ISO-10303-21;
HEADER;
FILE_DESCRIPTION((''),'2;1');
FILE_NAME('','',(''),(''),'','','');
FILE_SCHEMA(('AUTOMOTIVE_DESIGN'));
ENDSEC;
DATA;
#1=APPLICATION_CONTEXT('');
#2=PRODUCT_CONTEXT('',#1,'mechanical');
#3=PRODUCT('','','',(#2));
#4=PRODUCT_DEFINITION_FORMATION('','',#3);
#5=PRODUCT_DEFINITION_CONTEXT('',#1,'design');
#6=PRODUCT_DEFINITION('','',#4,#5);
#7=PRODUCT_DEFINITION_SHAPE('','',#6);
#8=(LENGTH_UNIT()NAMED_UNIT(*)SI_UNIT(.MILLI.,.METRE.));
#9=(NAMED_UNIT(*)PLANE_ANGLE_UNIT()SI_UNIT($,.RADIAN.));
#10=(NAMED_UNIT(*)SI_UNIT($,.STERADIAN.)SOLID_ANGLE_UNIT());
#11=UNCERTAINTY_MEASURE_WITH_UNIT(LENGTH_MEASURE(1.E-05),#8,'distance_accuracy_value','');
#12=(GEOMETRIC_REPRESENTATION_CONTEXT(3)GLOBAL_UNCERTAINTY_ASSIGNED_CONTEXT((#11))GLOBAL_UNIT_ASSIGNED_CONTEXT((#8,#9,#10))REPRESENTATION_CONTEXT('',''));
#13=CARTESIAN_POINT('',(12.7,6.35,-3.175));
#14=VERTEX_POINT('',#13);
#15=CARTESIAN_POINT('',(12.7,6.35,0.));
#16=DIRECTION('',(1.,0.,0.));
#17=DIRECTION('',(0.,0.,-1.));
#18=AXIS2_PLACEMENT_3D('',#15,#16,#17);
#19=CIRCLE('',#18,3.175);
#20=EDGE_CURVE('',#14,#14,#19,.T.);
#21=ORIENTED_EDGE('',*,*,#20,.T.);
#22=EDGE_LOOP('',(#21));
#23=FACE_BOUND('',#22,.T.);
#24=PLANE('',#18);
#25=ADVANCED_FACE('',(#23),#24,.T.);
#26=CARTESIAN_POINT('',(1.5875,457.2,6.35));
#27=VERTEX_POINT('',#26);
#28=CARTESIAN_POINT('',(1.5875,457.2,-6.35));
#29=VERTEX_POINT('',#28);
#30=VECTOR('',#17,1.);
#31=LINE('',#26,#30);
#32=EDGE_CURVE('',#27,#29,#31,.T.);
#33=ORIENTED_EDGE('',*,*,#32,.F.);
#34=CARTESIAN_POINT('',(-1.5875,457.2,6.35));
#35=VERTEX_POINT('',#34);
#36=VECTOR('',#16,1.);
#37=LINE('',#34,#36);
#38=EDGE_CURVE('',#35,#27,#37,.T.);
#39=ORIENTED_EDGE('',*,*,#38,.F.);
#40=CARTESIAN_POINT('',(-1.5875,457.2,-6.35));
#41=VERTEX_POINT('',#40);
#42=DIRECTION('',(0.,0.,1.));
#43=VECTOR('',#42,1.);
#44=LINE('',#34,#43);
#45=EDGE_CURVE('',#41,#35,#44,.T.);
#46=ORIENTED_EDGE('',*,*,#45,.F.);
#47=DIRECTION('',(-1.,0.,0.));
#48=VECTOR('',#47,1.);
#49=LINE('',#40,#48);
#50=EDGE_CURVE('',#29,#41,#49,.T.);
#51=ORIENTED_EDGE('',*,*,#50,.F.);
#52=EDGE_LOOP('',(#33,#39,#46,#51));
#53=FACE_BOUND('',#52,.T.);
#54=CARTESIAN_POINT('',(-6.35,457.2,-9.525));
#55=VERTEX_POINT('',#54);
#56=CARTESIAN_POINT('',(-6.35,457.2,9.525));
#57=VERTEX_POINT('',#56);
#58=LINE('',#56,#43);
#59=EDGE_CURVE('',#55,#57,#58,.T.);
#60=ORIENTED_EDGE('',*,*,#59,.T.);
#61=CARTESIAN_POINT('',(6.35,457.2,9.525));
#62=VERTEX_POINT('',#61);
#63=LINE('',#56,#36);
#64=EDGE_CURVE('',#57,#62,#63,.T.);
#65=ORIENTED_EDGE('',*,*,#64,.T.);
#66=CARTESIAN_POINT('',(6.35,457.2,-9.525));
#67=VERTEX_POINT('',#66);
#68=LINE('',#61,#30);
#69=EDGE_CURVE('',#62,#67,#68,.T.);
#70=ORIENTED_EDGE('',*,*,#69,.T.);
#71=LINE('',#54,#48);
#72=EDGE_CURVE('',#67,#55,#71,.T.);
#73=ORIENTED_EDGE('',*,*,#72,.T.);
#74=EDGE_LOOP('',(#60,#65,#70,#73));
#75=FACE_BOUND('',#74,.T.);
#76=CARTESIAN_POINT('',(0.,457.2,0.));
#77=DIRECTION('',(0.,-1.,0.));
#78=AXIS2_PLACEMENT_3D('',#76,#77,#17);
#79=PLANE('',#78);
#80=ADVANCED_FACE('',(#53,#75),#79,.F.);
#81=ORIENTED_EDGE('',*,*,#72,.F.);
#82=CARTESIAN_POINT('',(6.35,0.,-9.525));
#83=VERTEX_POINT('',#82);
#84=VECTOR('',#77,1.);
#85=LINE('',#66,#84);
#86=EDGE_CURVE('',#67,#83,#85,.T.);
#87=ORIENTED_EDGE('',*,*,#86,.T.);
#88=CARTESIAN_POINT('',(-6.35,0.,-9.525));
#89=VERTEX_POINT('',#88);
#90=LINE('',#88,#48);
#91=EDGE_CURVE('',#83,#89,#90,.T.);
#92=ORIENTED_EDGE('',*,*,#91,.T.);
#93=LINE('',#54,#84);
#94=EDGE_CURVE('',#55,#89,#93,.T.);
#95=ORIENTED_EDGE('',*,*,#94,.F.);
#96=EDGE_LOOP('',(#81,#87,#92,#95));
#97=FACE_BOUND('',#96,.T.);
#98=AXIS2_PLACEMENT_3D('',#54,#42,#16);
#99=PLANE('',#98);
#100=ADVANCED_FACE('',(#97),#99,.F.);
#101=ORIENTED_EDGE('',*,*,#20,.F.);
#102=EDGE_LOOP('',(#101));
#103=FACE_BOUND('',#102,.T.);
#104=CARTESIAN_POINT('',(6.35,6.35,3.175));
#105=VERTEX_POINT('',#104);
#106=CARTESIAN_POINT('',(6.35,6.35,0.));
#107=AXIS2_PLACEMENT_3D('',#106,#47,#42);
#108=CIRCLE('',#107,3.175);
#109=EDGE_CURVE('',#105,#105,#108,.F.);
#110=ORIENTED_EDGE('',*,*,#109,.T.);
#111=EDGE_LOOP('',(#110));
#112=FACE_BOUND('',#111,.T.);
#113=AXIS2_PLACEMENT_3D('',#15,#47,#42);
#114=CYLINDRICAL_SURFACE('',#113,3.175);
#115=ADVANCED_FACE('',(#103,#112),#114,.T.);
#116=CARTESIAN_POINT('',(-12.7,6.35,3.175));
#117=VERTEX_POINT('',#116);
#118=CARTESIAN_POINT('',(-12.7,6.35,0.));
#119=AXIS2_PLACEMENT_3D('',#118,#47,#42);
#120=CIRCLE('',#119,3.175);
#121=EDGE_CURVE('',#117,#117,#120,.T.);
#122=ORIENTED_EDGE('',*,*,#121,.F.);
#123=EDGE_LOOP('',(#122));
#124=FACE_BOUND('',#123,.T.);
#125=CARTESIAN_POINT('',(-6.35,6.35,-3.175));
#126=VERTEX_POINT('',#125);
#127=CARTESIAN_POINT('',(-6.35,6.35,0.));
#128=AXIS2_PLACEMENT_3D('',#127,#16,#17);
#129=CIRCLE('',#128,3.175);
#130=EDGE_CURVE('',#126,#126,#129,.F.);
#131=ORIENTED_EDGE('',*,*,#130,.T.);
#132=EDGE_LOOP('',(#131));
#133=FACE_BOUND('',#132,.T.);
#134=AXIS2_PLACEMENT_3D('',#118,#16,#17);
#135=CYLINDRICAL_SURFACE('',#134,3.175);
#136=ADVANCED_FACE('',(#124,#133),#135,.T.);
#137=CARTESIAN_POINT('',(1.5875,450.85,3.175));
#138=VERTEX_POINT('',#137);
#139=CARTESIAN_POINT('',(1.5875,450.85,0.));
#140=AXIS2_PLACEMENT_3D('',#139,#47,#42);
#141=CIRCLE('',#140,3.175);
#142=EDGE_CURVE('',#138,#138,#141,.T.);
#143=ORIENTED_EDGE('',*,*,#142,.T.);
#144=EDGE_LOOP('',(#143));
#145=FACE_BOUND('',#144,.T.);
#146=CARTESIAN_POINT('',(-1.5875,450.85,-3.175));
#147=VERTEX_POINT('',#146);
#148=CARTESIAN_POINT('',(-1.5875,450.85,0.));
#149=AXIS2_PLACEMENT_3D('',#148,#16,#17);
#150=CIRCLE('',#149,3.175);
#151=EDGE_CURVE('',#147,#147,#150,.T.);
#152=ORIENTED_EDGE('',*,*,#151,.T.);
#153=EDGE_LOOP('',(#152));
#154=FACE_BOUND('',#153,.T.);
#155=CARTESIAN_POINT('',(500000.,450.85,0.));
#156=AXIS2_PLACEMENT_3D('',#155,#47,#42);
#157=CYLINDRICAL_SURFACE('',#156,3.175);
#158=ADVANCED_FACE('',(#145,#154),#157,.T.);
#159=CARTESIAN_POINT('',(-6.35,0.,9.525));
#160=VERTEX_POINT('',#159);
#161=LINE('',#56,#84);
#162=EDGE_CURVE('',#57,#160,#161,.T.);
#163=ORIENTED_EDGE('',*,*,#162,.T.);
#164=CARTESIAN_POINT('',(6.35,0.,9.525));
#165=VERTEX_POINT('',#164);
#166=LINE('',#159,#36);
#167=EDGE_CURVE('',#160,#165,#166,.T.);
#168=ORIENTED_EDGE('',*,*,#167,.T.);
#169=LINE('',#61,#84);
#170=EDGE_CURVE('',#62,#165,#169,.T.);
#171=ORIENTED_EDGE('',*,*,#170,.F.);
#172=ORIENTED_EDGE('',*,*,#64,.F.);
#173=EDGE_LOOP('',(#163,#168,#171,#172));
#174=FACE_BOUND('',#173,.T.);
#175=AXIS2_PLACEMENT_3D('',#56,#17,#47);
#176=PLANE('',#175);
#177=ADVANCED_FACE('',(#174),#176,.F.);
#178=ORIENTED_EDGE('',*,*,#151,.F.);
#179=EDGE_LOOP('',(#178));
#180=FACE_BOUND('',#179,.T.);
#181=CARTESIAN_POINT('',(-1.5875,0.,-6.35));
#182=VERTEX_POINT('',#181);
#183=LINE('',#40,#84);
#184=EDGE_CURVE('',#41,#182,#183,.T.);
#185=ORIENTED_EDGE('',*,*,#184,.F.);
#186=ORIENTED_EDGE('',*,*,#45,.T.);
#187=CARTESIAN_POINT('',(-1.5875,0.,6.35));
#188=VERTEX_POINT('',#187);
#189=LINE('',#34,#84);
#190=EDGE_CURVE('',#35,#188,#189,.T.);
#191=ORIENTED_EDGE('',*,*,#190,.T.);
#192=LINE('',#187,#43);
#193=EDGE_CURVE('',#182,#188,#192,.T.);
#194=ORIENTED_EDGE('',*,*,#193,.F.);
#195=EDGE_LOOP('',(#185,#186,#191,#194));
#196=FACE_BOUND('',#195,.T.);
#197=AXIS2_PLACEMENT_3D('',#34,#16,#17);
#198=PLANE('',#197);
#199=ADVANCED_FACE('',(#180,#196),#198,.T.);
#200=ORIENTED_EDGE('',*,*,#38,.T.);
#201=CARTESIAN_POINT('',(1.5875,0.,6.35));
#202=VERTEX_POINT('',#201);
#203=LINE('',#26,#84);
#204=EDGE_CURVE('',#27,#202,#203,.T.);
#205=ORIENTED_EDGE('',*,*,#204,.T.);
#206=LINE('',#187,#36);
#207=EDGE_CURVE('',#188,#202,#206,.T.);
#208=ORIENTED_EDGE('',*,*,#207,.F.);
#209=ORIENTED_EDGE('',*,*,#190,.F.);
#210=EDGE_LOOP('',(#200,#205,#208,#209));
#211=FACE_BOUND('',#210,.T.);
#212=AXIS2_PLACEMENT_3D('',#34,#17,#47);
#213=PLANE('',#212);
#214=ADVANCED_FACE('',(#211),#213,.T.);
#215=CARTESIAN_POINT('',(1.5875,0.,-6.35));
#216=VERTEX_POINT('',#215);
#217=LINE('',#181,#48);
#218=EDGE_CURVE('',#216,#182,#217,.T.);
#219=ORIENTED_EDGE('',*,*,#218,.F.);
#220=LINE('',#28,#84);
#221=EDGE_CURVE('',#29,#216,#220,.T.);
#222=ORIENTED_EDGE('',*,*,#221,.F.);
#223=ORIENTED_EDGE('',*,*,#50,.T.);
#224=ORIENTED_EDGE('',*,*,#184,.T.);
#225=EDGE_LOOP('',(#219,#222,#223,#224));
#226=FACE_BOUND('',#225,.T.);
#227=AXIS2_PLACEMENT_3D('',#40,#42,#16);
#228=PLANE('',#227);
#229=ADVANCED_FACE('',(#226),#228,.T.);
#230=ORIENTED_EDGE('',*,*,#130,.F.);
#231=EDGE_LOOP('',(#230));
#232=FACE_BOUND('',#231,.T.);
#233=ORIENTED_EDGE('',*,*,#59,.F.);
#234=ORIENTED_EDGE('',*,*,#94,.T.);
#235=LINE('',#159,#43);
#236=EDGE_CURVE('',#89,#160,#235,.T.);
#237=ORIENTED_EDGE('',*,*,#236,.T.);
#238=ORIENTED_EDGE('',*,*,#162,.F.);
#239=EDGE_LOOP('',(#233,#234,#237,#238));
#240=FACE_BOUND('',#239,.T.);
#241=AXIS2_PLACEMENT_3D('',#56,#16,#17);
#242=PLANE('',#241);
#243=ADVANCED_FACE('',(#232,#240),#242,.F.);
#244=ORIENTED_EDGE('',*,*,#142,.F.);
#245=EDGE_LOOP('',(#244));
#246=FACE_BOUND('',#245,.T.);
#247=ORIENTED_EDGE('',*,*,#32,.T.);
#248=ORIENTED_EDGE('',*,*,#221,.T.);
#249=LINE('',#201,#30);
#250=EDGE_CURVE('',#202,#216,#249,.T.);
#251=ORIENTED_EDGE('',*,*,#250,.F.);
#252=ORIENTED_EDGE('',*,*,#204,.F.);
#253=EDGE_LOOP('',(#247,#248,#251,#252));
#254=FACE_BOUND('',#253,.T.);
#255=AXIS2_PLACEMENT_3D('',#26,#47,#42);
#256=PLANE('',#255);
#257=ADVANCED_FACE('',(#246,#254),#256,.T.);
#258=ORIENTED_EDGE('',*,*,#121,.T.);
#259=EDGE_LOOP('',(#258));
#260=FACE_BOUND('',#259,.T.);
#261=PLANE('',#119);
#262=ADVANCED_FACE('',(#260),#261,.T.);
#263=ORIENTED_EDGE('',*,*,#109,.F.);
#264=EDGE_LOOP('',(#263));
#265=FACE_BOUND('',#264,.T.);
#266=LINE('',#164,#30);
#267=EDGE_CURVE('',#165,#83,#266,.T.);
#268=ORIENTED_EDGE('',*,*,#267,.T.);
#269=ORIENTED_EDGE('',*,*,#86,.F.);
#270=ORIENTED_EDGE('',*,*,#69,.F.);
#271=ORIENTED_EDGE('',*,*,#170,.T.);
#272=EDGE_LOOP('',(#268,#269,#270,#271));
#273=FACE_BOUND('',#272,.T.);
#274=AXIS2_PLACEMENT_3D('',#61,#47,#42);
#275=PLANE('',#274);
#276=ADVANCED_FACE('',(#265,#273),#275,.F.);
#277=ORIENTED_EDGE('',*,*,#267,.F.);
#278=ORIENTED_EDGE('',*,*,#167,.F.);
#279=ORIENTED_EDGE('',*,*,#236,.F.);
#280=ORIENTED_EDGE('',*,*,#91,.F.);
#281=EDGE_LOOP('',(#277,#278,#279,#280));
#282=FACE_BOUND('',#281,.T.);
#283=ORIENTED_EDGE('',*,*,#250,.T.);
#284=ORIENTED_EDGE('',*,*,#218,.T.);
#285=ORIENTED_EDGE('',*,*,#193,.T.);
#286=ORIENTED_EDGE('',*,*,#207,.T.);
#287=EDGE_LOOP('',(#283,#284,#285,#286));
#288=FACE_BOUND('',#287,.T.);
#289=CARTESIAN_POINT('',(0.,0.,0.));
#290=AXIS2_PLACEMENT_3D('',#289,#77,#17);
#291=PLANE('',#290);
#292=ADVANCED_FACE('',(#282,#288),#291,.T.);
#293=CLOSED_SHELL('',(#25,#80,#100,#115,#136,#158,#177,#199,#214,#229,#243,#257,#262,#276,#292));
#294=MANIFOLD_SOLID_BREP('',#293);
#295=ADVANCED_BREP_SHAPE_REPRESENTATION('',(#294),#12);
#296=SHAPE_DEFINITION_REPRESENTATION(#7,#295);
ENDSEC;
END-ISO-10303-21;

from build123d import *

# Parameters (mm, degrees)
SKETCH1_W           = 12.7
SKETCH1_H           = 19.05
SKETCH1_W_2         = 3.175
SKETCH1_H_2         = 12.7
BOSS_EXTRUDE1_DEPTH = 457.2
BOSS_EXTRUDE2_REACH = 459.368
SKETCH2_R           = 3.175
SKETCH3_R           = 3.175
BOSS_EXTRUDE3_DEPTH = 6.35
BOSS_EXTRUDE4_START = 6.35
SKETCH4_R           = 3.175
BOSS_EXTRUDE4_DEPTH = 6.35


with BuildPart() as part:
    # Sketch1 → Boss-Extrude1 (new body)
    with BuildSketch(Plane(origin=(0, 0, 0), x_dir=(1, 0, 0), z_dir=(0, 1, 0))):
        Rectangle(SKETCH1_W, SKETCH1_H)
        Rectangle(SKETCH1_W_2, SKETCH1_H_2, mode=Mode.SUBTRACT)
    extrude(amount=BOSS_EXTRUDE1_DEPTH)

    # Sketch2 → Boss-Extrude2 (add, up to next)
    with BuildSketch(Plane(origin=(-1.5875, 0, 0), x_dir=(0, 0, -1), z_dir=(1, 0, 0)), mode=Mode.PRIVATE) as boss_extrude2_sk1:
        with Locations(Location((0, 450.85, 0), (0, 0, 180))):
            Circle(SKETCH2_R)
    boss_extrude2_tool1 = extrude(boss_extrude2_sk1.sketch, amount=BOSS_EXTRUDE2_REACH, mode=Mode.PRIVATE) - part.part
    add(boss_extrude2_tool1.solids().sort_by_distance((-1.5875, 450.85, 0))[0])

    # Sketch3 → Boss-Extrude3 (add)
    with BuildSketch(Plane(origin=(6.35, 0, 0), x_dir=(0, 0, -1), z_dir=(1, 0, 0))):
        with Locations(Location((0, 6.35, 0), (0, 0, 180))):
            Circle(SKETCH3_R)
    extrude(amount=BOSS_EXTRUDE3_DEPTH)

    # Sketch4 → Boss-Extrude4 (add)
    with BuildSketch(Plane.ZY.offset(6.35).offset(BOSS_EXTRUDE4_START)):
        with Locations((0, 6.35)):
            Circle(SKETCH4_R)
    extrude(amount=-BOSS_EXTRUDE4_DEPTH)


solid = part.part
